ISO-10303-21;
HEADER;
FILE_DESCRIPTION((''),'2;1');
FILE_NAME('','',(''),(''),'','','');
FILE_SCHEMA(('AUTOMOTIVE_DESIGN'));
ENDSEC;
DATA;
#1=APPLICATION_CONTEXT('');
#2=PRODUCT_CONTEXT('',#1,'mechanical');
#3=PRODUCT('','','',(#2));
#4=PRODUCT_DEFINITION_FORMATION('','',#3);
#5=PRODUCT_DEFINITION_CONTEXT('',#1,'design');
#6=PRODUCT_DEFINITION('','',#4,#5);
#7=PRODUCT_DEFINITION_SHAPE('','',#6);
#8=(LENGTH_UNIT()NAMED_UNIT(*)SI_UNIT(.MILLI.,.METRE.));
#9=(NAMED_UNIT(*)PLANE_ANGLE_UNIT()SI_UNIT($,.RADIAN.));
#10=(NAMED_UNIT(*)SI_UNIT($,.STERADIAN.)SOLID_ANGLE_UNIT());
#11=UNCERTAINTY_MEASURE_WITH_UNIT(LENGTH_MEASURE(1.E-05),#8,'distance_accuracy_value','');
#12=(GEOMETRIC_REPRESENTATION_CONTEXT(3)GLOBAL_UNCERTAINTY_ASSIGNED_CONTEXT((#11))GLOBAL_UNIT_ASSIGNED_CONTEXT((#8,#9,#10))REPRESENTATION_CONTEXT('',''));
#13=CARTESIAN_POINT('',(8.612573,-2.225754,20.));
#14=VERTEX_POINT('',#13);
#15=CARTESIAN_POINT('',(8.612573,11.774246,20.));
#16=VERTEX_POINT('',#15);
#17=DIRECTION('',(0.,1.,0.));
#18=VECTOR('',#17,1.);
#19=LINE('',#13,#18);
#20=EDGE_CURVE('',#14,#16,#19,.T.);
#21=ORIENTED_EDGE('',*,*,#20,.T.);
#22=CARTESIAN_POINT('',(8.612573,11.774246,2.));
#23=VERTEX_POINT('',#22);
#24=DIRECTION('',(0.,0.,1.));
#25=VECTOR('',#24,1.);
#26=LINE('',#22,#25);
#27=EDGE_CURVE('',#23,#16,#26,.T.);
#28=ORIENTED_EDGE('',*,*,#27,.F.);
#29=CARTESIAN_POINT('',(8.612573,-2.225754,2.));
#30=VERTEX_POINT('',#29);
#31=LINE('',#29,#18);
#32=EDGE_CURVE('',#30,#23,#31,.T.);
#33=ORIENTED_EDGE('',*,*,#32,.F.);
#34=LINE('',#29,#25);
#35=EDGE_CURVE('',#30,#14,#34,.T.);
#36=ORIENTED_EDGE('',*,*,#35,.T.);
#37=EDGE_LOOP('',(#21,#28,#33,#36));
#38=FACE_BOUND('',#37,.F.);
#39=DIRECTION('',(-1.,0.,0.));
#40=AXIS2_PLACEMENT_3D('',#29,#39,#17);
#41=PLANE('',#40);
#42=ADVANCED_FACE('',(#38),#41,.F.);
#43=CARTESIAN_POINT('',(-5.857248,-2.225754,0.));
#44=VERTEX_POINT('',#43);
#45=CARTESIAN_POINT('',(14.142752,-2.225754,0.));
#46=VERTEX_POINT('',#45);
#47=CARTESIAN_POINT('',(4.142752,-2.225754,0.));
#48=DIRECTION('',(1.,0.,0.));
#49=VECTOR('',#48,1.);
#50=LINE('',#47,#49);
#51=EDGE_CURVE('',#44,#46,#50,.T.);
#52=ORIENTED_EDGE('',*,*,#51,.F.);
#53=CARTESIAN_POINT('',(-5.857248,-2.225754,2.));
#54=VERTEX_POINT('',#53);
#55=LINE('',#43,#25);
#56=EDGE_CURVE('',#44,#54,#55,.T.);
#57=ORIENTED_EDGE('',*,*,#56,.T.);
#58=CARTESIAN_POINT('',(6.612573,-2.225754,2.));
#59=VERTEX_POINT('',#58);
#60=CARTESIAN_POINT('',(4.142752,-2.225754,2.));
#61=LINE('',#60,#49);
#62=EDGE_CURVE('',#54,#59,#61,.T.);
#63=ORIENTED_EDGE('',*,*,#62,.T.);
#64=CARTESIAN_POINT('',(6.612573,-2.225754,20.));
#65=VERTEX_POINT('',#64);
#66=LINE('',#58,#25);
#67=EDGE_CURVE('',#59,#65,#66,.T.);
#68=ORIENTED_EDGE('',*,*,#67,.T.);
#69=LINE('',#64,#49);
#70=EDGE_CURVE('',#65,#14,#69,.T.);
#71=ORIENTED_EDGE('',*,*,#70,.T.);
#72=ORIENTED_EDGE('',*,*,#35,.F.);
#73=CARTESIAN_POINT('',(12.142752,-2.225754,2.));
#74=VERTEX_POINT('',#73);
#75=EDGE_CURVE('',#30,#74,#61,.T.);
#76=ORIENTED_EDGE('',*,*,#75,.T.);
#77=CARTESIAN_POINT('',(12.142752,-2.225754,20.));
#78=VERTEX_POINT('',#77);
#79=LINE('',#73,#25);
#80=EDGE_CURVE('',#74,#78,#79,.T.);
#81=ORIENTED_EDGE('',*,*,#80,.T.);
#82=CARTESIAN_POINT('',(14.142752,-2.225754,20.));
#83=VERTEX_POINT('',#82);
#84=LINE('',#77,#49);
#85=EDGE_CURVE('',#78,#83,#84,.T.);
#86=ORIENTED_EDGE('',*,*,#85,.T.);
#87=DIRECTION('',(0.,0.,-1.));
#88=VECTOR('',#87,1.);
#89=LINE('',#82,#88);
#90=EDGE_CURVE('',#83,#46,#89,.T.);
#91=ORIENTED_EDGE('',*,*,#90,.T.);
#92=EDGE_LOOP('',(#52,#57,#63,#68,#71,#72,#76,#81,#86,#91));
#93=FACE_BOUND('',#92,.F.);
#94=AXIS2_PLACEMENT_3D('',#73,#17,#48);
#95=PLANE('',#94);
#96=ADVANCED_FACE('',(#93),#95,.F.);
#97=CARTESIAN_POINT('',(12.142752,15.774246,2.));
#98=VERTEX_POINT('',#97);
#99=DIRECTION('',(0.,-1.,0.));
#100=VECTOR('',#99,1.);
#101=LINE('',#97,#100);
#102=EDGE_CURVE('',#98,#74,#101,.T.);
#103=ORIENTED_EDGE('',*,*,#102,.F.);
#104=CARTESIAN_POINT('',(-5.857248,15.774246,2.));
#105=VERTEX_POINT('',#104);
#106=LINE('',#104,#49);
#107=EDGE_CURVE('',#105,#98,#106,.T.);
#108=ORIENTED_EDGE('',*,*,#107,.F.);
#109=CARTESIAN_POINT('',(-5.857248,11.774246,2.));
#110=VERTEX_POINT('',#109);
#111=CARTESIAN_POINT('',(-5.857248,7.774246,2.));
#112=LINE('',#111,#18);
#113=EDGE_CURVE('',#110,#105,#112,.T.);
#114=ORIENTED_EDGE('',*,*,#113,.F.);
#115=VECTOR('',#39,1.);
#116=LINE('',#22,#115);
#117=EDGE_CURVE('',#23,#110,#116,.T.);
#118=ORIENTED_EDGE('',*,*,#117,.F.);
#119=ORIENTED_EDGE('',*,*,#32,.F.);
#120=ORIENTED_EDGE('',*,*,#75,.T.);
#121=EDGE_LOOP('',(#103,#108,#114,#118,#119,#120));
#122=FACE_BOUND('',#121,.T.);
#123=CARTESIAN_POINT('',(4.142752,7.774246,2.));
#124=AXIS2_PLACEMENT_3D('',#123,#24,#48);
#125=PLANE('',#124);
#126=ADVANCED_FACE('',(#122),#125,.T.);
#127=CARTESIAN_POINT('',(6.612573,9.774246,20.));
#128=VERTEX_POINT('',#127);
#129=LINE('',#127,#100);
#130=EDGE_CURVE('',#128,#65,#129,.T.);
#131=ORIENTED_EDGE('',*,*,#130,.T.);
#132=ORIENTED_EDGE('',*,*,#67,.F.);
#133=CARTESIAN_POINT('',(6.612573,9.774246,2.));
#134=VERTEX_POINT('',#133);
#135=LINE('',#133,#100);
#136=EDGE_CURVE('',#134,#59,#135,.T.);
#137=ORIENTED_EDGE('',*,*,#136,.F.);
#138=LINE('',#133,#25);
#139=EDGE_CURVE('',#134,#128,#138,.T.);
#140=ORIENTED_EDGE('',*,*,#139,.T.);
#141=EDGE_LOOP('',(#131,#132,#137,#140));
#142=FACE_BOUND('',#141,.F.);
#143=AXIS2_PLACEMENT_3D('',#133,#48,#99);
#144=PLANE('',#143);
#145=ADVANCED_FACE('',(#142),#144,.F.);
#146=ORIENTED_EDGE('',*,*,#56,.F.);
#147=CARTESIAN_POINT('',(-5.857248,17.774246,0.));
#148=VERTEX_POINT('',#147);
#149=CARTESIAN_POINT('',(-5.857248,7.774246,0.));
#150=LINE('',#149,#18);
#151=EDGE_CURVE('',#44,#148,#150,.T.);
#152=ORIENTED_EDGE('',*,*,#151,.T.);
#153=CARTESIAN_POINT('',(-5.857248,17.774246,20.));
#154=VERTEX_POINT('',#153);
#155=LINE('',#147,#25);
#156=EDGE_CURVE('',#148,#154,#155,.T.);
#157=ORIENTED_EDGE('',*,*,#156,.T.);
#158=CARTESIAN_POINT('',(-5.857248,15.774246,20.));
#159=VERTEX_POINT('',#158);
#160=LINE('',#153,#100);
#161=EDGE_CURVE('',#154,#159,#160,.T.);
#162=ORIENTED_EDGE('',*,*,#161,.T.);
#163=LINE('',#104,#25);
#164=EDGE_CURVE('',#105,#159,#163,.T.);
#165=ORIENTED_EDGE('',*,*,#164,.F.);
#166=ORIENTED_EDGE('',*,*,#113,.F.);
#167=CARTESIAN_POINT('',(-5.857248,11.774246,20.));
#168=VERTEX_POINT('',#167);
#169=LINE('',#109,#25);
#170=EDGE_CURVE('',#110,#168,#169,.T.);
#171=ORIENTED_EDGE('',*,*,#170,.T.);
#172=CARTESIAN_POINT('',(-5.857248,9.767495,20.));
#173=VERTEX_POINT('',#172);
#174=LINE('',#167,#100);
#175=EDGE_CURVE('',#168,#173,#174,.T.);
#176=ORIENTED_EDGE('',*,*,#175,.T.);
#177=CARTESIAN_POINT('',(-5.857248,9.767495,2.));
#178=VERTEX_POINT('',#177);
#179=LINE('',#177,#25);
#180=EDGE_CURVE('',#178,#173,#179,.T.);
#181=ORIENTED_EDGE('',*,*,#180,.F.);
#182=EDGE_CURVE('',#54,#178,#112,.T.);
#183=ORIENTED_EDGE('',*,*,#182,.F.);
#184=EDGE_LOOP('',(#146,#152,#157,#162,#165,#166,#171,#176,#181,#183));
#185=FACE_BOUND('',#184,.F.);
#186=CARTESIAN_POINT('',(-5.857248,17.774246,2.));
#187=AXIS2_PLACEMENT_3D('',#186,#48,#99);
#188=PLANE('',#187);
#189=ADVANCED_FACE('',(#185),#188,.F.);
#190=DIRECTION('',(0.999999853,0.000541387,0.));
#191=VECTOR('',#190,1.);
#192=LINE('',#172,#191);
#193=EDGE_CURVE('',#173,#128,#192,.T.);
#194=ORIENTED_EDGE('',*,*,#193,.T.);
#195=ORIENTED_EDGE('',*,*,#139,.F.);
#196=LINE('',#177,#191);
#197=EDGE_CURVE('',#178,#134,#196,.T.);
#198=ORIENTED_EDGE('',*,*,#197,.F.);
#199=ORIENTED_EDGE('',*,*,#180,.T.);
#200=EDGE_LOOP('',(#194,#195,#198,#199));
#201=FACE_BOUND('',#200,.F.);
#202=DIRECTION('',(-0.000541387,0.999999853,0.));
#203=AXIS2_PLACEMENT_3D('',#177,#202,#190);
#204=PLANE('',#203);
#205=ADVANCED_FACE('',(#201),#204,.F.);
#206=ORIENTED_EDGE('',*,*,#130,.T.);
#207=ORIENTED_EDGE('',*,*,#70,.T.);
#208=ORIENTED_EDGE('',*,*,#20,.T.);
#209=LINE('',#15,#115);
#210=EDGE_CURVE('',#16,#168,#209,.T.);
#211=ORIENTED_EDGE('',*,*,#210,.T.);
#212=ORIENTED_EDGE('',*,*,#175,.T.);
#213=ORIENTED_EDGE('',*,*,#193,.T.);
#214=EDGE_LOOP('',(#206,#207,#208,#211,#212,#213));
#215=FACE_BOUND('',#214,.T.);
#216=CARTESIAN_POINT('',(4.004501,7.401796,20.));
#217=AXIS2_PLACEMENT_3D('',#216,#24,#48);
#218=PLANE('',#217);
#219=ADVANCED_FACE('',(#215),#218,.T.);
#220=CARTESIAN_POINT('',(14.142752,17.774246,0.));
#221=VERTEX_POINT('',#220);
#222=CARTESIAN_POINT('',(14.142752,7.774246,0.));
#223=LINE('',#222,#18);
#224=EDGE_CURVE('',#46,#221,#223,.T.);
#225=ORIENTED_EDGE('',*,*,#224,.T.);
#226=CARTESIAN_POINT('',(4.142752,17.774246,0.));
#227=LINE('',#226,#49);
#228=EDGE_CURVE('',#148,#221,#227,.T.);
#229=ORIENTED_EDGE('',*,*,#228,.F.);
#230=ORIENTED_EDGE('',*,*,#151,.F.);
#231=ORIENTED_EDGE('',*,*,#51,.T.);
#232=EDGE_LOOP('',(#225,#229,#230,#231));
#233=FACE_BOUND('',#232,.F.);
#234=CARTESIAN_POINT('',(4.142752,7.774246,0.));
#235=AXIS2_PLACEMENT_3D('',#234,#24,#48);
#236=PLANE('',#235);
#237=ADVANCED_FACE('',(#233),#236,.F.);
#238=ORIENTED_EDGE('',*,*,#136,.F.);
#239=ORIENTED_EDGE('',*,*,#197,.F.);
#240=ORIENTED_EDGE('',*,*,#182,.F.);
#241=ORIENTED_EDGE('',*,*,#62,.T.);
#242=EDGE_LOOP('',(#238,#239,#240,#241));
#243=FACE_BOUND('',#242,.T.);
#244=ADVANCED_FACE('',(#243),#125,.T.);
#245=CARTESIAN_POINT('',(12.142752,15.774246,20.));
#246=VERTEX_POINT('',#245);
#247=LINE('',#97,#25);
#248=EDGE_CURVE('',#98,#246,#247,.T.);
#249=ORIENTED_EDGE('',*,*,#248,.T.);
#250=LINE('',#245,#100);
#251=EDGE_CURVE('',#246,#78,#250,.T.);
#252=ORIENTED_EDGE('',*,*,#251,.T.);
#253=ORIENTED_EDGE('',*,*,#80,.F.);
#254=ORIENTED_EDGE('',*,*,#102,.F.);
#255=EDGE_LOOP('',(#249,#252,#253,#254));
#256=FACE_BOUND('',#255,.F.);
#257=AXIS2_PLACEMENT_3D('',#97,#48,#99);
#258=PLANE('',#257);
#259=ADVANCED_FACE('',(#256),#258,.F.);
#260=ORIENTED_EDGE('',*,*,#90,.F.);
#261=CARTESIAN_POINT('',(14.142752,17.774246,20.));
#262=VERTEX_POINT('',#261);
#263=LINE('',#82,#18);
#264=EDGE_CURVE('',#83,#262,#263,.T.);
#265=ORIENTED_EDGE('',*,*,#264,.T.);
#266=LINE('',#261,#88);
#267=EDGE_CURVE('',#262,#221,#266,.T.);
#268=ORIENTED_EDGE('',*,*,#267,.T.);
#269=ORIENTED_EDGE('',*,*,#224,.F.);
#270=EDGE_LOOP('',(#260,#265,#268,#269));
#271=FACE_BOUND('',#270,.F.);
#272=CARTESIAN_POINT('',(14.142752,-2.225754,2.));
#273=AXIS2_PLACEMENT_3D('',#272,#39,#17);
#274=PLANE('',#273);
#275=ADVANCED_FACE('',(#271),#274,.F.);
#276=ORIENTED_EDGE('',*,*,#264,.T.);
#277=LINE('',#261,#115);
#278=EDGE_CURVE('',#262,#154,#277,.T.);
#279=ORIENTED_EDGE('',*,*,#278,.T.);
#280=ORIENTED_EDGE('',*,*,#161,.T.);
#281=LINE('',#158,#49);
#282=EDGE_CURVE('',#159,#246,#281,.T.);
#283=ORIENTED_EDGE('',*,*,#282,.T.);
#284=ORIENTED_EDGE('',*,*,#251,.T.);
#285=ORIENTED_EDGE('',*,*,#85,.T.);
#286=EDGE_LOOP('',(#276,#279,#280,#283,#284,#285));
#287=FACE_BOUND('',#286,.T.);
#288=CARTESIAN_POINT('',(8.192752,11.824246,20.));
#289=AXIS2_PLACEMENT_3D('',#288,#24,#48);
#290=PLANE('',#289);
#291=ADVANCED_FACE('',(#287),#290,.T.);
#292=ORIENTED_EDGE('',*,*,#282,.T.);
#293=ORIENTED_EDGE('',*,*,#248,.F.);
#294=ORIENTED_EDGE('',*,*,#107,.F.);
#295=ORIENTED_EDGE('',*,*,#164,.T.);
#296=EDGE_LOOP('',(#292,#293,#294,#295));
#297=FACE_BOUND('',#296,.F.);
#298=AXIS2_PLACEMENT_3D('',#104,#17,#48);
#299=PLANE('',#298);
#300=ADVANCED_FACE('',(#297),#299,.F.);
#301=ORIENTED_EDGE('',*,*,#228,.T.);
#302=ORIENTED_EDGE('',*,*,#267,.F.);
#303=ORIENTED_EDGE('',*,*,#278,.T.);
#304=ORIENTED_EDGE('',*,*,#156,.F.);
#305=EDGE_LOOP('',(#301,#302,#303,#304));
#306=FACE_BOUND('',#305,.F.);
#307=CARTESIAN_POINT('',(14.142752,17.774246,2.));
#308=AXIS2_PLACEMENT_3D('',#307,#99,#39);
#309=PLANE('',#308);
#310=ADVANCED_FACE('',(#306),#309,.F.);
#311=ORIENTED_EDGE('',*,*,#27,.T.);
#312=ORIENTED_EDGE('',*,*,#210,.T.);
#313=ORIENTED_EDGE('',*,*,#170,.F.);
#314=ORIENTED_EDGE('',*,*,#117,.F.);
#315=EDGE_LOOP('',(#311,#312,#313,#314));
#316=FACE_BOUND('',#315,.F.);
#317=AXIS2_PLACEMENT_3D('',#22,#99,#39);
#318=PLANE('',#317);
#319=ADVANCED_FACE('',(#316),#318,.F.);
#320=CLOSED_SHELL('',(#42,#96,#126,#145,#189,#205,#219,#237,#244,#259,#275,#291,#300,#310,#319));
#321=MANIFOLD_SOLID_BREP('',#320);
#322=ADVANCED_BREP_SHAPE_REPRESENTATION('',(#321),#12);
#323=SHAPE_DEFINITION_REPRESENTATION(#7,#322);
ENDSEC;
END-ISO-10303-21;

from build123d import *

# Parameters (mm, degrees)
F0_W     = 20
F0_H     = 20
F1_DEPTH = 2
F3_DEPTH = 18
F5_DEPTH = 18


with BuildPart() as f1:
    # F0 (on Top) → F1 (new body)
    with BuildSketch(Plane.XY):
        with Locations((4.142752, 7.774246)):
            Rectangle(F0_W, F0_H)
    extrude(amount=F1_DEPTH)

    # F2 (on face) → F3 (join)
    with BuildSketch(Plane.XY.offset(2)):
        Polygon((14.142752, 17.774246), (-5.857248, 17.774246), (-5.857248, 15.774246), (12.142752, 15.774246), (12.142752, -2.225754), (14.142752, -2.225754), align=None)
    extrude(amount=F3_DEPTH)

    # F4 (on face) → F5 (join)
    with BuildSketch(Plane.XY.offset(2)):
        Polygon((8.142752, 11.774246), (-5.857248, 11.774246), (-5.857248, 9.767495), (6.612573, 9.774246), (6.612573, -2.225754), (8.612573, -2.225754), (8.612573, 11.774246), align=None)
    extrude(amount=F5_DEPTH)


solid = f1.part
